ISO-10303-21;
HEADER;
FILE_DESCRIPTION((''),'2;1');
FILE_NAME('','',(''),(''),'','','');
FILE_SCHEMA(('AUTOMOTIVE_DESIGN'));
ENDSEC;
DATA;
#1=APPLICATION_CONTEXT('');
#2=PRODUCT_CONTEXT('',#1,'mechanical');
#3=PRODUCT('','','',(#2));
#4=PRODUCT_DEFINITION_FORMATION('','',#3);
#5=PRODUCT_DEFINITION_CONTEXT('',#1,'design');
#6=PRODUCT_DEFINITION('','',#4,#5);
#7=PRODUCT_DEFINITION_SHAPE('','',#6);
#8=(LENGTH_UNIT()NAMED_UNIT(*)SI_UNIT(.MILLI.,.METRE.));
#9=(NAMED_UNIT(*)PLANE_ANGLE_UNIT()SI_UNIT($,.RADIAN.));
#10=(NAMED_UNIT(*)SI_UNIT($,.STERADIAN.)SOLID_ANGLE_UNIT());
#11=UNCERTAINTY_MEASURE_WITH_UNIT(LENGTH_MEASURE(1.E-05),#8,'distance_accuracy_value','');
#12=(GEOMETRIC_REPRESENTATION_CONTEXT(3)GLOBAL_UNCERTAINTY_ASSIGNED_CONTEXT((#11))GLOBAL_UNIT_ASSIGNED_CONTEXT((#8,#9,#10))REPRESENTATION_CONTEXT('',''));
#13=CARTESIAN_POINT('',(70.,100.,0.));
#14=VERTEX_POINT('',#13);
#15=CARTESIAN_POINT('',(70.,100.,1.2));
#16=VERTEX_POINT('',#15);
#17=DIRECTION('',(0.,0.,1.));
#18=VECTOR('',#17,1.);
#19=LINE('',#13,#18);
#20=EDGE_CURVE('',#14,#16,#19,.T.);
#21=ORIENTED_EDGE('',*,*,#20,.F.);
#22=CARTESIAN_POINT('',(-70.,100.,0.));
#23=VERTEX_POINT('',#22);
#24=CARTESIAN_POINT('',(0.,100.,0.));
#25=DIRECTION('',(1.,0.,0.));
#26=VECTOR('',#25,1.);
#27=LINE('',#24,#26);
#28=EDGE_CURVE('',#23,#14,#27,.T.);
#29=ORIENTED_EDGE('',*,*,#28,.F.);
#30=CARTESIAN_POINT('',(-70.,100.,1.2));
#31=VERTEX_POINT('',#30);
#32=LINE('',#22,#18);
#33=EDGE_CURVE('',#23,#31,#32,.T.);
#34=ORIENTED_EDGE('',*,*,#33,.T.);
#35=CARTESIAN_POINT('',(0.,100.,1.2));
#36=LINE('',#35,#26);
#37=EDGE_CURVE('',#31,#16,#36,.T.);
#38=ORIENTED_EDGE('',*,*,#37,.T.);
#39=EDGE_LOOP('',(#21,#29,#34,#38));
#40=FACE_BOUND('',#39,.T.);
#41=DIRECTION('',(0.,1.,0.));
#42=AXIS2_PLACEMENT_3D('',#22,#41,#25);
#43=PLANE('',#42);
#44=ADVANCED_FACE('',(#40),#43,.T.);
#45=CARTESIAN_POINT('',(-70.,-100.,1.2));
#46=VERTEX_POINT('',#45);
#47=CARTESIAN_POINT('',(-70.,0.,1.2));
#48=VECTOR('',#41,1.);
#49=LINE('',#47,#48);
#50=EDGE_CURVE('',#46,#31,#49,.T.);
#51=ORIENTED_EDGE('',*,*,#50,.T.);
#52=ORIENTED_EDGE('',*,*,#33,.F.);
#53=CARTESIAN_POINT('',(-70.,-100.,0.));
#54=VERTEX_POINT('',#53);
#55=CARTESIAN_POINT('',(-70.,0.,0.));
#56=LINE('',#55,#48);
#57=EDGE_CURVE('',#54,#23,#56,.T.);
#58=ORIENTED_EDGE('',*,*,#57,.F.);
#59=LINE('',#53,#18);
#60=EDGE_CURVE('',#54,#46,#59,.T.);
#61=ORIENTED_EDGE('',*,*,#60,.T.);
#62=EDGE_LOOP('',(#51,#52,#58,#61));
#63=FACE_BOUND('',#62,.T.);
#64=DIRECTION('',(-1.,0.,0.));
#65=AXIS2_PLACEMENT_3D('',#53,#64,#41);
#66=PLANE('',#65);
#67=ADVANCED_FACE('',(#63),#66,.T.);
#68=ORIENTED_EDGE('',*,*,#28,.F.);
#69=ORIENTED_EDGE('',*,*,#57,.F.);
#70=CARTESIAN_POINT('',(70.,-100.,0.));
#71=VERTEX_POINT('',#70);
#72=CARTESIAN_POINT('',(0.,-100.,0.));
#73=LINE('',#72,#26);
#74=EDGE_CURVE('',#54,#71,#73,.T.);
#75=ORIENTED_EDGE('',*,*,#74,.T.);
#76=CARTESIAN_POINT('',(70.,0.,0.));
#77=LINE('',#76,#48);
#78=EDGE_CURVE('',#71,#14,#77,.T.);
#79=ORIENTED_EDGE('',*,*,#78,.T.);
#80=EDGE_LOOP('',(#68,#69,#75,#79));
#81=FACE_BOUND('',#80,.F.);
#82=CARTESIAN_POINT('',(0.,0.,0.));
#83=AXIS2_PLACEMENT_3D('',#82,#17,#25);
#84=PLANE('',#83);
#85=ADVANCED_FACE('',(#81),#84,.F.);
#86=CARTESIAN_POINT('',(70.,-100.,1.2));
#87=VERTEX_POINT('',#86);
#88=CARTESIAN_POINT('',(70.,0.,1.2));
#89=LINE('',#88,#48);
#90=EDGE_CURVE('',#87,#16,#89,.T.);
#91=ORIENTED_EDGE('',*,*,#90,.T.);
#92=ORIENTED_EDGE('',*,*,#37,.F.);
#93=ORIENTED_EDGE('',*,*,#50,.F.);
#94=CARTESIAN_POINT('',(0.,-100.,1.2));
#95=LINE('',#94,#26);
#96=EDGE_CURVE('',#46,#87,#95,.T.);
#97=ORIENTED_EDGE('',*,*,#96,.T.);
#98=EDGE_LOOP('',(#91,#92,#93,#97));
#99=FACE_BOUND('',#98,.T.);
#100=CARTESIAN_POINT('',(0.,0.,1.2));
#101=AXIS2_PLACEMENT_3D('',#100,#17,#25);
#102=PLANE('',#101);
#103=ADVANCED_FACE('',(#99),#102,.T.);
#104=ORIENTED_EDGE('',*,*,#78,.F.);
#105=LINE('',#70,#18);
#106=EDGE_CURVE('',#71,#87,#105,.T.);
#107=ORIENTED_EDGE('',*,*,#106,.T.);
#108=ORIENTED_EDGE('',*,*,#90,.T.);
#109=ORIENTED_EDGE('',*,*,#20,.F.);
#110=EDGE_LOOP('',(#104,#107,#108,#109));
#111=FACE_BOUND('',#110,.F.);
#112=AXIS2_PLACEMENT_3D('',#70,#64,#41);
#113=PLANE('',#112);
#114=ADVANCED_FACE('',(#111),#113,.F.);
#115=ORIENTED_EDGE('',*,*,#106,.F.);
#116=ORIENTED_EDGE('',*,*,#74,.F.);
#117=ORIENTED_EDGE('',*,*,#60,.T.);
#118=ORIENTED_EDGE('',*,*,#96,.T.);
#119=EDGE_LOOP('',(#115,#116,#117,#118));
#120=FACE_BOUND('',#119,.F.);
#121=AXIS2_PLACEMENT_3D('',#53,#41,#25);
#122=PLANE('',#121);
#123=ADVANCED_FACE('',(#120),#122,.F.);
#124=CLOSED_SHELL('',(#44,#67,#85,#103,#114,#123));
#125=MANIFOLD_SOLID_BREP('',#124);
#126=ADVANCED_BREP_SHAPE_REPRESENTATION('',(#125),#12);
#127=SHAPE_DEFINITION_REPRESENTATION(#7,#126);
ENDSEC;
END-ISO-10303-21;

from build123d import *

# Parameters (mm, degrees)
SKETCH_W  = 140
SKETCH_H  = 200
PAD_DEPTH = 1.2


with BuildPart() as part:
    # Sketch → Pad (new body)
    with BuildSketch(Plane.XY):
        Rectangle(SKETCH_W, SKETCH_H)
    extrude(amount=PAD_DEPTH)


solid = part.part
